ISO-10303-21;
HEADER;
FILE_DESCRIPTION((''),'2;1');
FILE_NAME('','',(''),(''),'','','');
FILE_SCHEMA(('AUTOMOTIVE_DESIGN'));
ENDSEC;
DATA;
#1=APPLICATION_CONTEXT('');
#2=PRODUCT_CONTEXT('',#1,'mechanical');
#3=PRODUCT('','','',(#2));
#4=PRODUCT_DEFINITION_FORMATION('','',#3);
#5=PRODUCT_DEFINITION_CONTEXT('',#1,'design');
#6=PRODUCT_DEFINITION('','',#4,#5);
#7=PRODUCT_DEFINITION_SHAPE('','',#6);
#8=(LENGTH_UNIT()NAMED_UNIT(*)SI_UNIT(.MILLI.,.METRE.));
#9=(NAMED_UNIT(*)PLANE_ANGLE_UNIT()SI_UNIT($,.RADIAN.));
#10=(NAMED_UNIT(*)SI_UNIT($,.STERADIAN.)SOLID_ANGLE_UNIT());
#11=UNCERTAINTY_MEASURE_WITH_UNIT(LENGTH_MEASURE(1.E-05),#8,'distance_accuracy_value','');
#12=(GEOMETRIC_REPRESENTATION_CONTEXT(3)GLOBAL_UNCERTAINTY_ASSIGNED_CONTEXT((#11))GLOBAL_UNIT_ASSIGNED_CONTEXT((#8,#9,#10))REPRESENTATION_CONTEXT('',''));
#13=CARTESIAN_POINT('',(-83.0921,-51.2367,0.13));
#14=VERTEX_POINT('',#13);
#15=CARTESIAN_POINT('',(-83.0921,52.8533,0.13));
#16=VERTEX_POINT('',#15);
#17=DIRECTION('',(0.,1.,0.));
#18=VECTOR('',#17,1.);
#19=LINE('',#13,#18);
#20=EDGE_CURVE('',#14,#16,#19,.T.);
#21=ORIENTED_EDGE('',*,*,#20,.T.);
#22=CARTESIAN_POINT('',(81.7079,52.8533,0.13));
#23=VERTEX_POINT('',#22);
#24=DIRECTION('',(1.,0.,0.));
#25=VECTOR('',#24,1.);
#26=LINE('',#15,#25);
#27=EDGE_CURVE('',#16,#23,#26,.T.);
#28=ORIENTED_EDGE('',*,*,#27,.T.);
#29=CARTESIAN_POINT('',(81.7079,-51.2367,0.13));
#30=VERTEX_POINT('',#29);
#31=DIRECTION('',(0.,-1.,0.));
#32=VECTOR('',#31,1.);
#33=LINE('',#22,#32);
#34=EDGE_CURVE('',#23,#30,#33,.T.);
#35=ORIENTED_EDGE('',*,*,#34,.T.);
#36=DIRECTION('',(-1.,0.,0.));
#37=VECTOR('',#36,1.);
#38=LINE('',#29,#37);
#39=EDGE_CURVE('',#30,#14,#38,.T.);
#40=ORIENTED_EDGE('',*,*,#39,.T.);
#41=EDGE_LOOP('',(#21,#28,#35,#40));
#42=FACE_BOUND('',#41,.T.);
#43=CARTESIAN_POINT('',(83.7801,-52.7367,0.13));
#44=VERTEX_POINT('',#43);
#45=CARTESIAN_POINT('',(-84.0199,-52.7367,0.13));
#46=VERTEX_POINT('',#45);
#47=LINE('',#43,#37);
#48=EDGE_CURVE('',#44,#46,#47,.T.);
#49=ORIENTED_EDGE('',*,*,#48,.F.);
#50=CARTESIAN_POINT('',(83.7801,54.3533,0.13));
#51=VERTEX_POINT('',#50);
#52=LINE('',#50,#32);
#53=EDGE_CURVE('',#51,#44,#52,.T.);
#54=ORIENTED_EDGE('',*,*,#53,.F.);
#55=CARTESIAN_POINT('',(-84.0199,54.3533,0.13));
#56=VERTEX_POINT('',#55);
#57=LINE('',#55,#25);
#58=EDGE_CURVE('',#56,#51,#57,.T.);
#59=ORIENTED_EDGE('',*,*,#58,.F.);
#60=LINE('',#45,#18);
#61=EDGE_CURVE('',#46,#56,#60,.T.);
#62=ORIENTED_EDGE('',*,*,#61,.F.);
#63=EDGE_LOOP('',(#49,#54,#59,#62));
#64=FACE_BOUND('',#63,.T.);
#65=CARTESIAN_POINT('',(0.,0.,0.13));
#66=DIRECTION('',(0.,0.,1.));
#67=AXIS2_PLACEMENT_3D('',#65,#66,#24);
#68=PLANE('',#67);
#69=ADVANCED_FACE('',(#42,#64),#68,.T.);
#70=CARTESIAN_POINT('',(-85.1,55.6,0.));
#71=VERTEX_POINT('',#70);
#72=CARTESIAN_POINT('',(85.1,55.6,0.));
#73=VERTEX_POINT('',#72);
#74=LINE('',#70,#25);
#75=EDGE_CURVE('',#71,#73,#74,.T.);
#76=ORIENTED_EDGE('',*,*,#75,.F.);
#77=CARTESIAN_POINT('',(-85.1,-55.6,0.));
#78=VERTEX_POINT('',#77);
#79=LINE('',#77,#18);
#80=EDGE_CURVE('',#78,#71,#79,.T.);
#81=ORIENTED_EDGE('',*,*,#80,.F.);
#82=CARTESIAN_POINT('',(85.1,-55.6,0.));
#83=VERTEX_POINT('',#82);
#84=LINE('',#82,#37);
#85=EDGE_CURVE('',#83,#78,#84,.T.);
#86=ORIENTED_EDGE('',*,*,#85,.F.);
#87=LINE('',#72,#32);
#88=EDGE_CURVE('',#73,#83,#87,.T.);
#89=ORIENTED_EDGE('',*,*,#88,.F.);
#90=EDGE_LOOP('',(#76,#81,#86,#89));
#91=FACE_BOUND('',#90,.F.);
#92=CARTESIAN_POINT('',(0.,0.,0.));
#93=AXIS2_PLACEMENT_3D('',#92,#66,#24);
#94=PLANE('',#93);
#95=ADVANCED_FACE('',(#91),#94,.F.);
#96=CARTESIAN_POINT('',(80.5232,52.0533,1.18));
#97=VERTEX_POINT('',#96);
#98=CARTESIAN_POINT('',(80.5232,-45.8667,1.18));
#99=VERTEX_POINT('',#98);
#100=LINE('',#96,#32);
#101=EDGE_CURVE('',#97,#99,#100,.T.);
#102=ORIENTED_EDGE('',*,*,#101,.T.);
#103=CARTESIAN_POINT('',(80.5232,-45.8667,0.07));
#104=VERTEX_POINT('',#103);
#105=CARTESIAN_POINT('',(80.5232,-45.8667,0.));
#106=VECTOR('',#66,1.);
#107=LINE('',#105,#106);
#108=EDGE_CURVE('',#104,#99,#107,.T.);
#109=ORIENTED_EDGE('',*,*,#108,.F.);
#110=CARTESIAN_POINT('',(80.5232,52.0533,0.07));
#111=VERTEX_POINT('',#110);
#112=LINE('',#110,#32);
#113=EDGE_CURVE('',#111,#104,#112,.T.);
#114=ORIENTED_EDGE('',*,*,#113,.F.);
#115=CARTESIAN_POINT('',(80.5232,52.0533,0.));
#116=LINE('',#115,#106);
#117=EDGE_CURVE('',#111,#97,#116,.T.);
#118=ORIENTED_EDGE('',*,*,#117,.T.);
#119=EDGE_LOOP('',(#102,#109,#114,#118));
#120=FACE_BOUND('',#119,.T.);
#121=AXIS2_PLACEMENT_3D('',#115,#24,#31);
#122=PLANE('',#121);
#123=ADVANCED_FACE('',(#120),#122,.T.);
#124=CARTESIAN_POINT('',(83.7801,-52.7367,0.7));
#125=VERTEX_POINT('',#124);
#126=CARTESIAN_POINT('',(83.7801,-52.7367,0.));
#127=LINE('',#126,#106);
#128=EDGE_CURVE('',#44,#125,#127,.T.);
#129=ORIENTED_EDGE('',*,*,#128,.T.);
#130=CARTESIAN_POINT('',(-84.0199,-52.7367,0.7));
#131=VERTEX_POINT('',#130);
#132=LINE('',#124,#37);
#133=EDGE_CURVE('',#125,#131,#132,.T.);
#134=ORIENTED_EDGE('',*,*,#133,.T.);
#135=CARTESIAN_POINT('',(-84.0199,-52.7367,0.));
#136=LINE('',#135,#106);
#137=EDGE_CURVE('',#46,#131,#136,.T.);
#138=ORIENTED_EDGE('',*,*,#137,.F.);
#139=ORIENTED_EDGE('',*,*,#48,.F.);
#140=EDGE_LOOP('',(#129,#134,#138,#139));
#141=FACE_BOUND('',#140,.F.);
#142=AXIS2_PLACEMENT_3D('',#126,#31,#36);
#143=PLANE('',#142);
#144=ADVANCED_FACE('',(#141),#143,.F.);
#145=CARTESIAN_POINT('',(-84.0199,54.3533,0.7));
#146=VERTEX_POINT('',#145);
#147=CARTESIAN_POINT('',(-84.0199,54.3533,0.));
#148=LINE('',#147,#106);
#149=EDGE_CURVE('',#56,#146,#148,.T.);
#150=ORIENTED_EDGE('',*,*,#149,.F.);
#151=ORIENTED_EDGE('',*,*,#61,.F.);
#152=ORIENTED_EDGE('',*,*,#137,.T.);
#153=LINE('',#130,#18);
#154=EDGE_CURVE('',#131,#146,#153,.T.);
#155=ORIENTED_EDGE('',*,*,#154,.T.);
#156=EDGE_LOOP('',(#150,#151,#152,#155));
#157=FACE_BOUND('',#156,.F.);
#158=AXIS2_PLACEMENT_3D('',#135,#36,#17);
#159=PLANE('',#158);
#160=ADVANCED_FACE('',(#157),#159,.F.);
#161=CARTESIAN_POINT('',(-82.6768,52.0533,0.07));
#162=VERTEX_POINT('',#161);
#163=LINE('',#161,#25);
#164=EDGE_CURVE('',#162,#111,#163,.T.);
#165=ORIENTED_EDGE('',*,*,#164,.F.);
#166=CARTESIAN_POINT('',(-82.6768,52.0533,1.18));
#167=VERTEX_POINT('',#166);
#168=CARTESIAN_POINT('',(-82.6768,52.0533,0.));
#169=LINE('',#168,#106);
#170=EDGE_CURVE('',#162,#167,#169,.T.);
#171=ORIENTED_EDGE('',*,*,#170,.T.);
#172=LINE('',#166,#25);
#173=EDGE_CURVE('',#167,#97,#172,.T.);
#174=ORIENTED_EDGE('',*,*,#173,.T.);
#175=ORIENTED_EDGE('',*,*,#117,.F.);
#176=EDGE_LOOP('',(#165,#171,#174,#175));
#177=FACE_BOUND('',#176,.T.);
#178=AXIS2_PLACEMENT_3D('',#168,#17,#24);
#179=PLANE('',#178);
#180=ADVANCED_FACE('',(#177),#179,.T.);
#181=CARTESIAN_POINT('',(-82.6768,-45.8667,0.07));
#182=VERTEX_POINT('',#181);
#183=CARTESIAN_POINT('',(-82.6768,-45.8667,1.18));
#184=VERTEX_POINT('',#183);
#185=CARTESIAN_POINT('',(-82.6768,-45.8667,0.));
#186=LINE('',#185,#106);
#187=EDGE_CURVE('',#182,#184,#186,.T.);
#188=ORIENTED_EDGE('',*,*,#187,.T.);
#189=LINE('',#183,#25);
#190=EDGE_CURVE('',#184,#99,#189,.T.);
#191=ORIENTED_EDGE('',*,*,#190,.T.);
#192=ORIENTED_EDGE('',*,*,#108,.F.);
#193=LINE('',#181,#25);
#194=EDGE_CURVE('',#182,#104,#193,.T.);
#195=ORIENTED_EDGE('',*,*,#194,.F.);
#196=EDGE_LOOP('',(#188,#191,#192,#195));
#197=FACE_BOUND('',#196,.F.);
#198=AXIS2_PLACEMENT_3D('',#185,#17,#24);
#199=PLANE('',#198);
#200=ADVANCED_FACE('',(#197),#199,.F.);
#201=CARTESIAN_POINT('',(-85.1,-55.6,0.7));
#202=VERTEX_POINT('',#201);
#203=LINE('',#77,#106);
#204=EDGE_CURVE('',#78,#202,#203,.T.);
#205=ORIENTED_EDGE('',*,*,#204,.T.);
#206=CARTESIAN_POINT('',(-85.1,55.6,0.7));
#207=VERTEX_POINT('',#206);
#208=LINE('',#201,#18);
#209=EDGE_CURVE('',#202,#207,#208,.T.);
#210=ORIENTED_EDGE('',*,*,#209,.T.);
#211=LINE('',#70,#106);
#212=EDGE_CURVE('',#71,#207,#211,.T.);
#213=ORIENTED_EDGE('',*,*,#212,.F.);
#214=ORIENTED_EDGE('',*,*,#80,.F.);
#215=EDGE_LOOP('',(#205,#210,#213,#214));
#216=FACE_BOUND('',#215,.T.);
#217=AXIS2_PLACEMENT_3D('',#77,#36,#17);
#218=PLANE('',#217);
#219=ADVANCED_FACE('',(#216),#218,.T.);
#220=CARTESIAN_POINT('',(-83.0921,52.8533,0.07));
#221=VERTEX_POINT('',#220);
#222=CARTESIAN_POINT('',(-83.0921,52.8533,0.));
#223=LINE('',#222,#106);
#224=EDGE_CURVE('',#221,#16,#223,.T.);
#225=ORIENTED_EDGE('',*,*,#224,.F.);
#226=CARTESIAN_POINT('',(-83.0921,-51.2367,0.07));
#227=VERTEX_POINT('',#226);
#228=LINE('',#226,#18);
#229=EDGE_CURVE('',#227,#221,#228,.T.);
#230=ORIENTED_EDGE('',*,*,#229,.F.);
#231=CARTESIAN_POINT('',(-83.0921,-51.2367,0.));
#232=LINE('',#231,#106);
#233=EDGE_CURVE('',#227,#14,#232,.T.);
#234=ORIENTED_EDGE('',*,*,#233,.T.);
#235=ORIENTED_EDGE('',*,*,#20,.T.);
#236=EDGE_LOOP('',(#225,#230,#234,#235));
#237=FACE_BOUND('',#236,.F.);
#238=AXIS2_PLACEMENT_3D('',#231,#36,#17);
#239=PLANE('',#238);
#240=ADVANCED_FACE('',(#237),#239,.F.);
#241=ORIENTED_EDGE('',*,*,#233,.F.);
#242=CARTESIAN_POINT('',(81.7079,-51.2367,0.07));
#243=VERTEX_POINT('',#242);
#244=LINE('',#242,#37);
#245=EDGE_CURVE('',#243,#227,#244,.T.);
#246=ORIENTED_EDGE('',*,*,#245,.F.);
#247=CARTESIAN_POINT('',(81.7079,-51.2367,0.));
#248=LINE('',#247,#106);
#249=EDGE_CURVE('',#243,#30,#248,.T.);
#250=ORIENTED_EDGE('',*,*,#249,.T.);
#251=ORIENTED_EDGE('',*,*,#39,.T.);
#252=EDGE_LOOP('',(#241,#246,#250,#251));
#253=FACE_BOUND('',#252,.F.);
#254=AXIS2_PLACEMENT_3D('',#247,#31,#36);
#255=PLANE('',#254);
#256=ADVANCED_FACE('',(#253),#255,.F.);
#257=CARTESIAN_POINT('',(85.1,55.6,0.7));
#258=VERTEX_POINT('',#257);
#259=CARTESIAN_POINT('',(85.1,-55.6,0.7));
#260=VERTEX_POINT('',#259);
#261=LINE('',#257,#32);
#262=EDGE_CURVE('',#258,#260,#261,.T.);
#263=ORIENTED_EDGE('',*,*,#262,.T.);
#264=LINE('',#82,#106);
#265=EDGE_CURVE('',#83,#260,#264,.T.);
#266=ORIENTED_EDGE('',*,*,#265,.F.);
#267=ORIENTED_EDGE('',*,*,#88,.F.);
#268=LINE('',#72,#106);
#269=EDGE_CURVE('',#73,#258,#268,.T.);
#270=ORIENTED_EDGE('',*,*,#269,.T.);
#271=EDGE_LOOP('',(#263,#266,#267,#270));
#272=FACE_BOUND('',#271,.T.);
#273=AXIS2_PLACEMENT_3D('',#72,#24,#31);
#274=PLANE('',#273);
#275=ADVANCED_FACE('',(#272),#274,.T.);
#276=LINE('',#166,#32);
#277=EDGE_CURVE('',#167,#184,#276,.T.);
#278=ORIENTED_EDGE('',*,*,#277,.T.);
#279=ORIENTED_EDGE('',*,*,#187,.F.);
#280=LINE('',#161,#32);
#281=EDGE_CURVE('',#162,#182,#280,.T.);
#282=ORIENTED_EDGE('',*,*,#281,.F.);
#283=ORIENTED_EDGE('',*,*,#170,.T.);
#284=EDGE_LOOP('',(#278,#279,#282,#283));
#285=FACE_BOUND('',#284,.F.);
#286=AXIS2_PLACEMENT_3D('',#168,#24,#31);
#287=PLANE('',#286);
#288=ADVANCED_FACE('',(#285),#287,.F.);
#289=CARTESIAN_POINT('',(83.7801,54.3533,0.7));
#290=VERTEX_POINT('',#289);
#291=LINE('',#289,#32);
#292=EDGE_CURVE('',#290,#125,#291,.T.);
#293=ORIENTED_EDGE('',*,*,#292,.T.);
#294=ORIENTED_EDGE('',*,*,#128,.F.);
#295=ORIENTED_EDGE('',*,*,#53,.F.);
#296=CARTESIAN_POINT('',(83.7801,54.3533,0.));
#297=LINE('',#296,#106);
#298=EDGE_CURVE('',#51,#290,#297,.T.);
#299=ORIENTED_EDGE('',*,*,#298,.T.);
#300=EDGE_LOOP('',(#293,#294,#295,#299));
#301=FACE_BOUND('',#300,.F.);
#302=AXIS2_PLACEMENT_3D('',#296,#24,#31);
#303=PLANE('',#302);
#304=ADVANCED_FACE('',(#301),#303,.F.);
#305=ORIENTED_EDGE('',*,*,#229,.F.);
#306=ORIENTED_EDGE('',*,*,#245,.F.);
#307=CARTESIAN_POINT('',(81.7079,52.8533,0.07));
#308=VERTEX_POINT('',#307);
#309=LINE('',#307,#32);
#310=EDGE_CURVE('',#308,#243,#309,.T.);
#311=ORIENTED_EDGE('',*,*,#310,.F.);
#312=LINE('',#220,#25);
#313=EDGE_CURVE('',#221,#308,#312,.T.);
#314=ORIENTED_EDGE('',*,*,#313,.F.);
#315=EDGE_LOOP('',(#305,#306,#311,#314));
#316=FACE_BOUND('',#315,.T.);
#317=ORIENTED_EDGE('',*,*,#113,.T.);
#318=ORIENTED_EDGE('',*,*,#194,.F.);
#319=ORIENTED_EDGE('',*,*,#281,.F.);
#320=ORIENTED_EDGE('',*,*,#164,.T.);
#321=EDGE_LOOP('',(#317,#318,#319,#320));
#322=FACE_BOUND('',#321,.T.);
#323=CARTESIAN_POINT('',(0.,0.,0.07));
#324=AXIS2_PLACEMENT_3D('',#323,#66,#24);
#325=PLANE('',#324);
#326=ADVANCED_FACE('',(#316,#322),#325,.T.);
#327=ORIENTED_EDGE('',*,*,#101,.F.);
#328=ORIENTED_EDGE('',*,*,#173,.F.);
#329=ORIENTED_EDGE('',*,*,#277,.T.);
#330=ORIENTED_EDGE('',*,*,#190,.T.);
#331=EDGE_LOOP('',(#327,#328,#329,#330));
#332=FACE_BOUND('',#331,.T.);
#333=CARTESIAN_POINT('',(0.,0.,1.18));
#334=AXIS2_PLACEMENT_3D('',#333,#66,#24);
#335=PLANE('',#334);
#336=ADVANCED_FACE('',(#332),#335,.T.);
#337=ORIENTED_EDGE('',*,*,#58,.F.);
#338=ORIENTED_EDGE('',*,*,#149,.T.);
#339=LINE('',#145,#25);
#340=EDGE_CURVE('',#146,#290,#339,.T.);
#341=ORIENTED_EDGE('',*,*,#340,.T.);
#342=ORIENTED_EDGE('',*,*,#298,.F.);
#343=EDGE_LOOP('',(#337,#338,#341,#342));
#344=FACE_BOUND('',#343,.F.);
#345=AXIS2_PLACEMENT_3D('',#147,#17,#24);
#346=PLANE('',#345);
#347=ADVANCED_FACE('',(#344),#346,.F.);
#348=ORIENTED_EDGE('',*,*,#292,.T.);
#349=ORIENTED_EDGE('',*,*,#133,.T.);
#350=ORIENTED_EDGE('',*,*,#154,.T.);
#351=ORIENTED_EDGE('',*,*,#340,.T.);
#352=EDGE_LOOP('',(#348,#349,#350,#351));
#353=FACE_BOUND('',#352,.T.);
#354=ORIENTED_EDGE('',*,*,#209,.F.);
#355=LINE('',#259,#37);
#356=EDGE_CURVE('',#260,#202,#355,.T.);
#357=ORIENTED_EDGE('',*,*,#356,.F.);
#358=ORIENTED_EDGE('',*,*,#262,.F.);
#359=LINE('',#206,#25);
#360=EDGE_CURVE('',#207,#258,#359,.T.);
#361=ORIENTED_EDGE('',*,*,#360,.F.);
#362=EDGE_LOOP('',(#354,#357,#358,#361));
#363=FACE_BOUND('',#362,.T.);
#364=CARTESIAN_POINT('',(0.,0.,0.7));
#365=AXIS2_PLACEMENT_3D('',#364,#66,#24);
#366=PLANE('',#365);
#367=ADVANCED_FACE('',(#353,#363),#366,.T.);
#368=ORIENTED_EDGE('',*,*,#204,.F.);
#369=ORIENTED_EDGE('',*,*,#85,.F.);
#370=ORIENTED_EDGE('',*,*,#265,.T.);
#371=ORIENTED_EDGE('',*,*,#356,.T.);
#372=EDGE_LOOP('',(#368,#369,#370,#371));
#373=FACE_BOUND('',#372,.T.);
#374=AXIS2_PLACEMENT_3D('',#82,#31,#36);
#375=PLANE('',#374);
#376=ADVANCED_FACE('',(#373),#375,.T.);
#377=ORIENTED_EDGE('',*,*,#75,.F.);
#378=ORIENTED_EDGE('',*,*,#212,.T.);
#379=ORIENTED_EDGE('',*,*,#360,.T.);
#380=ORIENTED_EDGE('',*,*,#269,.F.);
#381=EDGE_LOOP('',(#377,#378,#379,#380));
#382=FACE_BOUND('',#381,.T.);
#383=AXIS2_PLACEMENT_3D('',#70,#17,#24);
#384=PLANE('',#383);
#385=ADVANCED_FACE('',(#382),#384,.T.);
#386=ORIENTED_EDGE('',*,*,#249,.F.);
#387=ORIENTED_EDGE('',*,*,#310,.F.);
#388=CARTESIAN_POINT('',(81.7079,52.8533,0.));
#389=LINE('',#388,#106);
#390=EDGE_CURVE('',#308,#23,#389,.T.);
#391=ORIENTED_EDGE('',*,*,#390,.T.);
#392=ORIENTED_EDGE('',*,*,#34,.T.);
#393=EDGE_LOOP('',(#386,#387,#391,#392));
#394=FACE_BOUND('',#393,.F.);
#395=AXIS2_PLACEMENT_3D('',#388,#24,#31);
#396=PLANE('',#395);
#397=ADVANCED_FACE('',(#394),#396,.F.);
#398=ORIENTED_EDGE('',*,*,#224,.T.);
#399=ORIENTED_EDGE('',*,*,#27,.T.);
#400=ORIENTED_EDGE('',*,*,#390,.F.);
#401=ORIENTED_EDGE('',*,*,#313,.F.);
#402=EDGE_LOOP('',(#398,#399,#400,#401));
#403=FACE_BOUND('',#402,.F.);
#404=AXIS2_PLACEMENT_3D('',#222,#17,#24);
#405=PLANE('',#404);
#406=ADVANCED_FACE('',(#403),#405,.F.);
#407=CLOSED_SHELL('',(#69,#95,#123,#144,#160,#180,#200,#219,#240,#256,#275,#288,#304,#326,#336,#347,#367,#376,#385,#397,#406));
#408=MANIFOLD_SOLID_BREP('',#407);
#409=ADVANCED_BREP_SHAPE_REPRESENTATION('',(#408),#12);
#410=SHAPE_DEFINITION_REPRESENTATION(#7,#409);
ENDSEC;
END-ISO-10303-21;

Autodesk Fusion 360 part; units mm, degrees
sketch "Sketch1" plane through (0, 0, 0) normal (0, 0, 1) x (1, 0, 0)
  line L0 (-85.1, 55.6) -> (85.1, 55.6)
  line L1 (85.1, 55.6) -> (85.1, -55.6)
  line L2 (85.1, -55.6) -> (-85.1, -55.6)
  line L3 (-85.1, -55.6) -> (-85.1, 55.6)
  line L4 (-85.1, 55.6) -> (85.1, -55.6) construction
  line L5 (85.1, 55.6) -> (-85.1, -55.6) construction
  line L6 (-84.0199, 54.3533) -> (83.7801, 54.3533)
  line L7 (83.7801, 54.3533) -> (83.7801, -52.7367)
  line L8 (83.7801, -52.7367) -> (-84.0199, -52.7367)
  line L9 (-84.0199, -52.7367) -> (-84.0199, 54.3533)
  line L10 (-83.0921, 52.8533) -> (81.7079, 52.8533)
  line L11 (81.7079, 52.8533) -> (81.7079, -51.2367)
  line L12 (81.7079, -51.2367) -> (-83.0921, -51.2367)
  line L13 (-83.0921, -51.2367) -> (-83.0921, 52.8533)
  line L14 (-82.6768, 52.0533) -> (80.5232, 52.0533)
  line L15 (80.5232, 52.0533) -> (80.5232, -45.8667)
  line L16 (-82.6768, 52.0533) -> (-82.6768, -45.8667)
  line L17 (-82.6768, -45.8667) -> (80.5232, -45.8667)
  dimension "d1" = 170.2
  dimension "d2" = 111.2
  dimension "d5" = 107.09
  dimension "d9" = 164.8
  dimension "d10" = 104.09
  dimension "d12" = 163.2
  dimension "d14" = 97.92
extrude "Extrude1" add sketch "Sketch1" along normal blind 0.7 contours L0 L1 L2 L3
extrude "Extrude2" add sketch "Sketch1" along normal blind 0.13 contours L6 L7 L8 L9
extrude "Extrude3" add sketch "Sketch1" along normal blind 0.07 contours L10 L11 L12 L13
extrude "Extrude4" add sketch "Sketch1" along normal blind 1.18 contours L14 L15 L16 L17
